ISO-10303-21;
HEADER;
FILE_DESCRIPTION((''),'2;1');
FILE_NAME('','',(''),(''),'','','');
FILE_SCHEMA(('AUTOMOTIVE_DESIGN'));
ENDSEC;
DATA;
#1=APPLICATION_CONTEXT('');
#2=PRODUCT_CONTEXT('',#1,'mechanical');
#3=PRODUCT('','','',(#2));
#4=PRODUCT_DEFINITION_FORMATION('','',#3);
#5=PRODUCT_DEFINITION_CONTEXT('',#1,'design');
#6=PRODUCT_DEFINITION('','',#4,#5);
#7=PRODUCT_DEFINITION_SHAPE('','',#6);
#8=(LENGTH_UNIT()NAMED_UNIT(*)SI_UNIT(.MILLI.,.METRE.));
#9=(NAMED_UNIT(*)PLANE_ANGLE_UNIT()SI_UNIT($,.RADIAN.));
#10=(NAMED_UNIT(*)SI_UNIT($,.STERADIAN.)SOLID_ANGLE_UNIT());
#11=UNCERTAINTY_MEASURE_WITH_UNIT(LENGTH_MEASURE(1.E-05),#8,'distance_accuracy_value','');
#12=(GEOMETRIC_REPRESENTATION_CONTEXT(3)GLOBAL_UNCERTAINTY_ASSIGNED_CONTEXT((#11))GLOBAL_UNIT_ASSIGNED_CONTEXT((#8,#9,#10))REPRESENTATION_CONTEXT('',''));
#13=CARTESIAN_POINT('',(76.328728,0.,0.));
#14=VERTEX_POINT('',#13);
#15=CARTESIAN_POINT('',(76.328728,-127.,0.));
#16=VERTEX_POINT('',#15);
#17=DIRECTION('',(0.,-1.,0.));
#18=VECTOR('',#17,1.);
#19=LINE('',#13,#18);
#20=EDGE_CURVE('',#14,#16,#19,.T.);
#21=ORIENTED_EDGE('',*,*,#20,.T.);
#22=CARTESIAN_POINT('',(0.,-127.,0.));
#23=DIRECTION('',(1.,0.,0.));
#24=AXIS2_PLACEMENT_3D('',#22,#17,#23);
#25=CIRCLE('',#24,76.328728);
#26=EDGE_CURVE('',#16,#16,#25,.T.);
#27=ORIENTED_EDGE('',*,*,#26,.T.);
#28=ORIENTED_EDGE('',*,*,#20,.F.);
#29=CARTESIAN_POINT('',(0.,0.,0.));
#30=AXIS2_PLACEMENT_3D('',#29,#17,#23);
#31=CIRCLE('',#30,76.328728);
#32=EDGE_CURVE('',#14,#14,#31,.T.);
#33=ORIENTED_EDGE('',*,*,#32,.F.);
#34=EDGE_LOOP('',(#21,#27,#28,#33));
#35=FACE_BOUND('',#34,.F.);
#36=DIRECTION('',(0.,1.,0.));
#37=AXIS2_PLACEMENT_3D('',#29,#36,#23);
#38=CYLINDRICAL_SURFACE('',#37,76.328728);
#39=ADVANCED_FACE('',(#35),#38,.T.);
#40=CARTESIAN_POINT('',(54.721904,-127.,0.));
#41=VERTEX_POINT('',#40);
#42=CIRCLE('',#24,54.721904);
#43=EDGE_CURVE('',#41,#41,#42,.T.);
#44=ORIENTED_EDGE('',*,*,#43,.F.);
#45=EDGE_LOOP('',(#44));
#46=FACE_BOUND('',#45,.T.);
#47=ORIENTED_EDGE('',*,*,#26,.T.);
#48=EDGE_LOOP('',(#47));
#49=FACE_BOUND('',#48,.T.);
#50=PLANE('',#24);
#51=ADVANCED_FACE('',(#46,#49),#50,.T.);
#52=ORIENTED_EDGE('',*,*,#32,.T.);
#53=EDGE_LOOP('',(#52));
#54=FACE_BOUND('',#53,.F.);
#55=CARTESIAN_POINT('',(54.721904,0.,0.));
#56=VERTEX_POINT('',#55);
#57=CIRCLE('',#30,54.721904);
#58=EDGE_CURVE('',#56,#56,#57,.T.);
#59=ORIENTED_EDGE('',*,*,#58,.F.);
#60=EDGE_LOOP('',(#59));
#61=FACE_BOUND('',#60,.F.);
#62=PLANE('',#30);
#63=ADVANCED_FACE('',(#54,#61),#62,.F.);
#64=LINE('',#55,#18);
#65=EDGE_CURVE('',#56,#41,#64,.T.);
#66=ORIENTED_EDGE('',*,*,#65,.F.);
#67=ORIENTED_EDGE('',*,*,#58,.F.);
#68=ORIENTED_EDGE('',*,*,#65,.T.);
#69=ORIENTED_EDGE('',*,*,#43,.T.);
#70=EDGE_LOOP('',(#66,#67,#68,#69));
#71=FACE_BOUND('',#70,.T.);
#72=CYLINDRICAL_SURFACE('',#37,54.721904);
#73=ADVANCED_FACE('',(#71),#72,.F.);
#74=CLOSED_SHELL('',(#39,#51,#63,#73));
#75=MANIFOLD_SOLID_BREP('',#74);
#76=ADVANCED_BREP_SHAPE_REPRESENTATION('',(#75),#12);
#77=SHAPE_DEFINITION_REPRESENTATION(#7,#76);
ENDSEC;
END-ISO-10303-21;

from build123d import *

# Parameters (mm, degrees)
F1_R     = 76.328728
F1_R_2   = 54.721904
F2_DEPTH = 127


with BuildPart() as f2:
    # F1 (on face) → F2 (new body)
    with BuildSketch(Plane.XZ):
        Circle(F1_R)
        Circle(F1_R_2, mode=Mode.SUBTRACT)
    extrude(amount=F2_DEPTH)


solid = f2.part
